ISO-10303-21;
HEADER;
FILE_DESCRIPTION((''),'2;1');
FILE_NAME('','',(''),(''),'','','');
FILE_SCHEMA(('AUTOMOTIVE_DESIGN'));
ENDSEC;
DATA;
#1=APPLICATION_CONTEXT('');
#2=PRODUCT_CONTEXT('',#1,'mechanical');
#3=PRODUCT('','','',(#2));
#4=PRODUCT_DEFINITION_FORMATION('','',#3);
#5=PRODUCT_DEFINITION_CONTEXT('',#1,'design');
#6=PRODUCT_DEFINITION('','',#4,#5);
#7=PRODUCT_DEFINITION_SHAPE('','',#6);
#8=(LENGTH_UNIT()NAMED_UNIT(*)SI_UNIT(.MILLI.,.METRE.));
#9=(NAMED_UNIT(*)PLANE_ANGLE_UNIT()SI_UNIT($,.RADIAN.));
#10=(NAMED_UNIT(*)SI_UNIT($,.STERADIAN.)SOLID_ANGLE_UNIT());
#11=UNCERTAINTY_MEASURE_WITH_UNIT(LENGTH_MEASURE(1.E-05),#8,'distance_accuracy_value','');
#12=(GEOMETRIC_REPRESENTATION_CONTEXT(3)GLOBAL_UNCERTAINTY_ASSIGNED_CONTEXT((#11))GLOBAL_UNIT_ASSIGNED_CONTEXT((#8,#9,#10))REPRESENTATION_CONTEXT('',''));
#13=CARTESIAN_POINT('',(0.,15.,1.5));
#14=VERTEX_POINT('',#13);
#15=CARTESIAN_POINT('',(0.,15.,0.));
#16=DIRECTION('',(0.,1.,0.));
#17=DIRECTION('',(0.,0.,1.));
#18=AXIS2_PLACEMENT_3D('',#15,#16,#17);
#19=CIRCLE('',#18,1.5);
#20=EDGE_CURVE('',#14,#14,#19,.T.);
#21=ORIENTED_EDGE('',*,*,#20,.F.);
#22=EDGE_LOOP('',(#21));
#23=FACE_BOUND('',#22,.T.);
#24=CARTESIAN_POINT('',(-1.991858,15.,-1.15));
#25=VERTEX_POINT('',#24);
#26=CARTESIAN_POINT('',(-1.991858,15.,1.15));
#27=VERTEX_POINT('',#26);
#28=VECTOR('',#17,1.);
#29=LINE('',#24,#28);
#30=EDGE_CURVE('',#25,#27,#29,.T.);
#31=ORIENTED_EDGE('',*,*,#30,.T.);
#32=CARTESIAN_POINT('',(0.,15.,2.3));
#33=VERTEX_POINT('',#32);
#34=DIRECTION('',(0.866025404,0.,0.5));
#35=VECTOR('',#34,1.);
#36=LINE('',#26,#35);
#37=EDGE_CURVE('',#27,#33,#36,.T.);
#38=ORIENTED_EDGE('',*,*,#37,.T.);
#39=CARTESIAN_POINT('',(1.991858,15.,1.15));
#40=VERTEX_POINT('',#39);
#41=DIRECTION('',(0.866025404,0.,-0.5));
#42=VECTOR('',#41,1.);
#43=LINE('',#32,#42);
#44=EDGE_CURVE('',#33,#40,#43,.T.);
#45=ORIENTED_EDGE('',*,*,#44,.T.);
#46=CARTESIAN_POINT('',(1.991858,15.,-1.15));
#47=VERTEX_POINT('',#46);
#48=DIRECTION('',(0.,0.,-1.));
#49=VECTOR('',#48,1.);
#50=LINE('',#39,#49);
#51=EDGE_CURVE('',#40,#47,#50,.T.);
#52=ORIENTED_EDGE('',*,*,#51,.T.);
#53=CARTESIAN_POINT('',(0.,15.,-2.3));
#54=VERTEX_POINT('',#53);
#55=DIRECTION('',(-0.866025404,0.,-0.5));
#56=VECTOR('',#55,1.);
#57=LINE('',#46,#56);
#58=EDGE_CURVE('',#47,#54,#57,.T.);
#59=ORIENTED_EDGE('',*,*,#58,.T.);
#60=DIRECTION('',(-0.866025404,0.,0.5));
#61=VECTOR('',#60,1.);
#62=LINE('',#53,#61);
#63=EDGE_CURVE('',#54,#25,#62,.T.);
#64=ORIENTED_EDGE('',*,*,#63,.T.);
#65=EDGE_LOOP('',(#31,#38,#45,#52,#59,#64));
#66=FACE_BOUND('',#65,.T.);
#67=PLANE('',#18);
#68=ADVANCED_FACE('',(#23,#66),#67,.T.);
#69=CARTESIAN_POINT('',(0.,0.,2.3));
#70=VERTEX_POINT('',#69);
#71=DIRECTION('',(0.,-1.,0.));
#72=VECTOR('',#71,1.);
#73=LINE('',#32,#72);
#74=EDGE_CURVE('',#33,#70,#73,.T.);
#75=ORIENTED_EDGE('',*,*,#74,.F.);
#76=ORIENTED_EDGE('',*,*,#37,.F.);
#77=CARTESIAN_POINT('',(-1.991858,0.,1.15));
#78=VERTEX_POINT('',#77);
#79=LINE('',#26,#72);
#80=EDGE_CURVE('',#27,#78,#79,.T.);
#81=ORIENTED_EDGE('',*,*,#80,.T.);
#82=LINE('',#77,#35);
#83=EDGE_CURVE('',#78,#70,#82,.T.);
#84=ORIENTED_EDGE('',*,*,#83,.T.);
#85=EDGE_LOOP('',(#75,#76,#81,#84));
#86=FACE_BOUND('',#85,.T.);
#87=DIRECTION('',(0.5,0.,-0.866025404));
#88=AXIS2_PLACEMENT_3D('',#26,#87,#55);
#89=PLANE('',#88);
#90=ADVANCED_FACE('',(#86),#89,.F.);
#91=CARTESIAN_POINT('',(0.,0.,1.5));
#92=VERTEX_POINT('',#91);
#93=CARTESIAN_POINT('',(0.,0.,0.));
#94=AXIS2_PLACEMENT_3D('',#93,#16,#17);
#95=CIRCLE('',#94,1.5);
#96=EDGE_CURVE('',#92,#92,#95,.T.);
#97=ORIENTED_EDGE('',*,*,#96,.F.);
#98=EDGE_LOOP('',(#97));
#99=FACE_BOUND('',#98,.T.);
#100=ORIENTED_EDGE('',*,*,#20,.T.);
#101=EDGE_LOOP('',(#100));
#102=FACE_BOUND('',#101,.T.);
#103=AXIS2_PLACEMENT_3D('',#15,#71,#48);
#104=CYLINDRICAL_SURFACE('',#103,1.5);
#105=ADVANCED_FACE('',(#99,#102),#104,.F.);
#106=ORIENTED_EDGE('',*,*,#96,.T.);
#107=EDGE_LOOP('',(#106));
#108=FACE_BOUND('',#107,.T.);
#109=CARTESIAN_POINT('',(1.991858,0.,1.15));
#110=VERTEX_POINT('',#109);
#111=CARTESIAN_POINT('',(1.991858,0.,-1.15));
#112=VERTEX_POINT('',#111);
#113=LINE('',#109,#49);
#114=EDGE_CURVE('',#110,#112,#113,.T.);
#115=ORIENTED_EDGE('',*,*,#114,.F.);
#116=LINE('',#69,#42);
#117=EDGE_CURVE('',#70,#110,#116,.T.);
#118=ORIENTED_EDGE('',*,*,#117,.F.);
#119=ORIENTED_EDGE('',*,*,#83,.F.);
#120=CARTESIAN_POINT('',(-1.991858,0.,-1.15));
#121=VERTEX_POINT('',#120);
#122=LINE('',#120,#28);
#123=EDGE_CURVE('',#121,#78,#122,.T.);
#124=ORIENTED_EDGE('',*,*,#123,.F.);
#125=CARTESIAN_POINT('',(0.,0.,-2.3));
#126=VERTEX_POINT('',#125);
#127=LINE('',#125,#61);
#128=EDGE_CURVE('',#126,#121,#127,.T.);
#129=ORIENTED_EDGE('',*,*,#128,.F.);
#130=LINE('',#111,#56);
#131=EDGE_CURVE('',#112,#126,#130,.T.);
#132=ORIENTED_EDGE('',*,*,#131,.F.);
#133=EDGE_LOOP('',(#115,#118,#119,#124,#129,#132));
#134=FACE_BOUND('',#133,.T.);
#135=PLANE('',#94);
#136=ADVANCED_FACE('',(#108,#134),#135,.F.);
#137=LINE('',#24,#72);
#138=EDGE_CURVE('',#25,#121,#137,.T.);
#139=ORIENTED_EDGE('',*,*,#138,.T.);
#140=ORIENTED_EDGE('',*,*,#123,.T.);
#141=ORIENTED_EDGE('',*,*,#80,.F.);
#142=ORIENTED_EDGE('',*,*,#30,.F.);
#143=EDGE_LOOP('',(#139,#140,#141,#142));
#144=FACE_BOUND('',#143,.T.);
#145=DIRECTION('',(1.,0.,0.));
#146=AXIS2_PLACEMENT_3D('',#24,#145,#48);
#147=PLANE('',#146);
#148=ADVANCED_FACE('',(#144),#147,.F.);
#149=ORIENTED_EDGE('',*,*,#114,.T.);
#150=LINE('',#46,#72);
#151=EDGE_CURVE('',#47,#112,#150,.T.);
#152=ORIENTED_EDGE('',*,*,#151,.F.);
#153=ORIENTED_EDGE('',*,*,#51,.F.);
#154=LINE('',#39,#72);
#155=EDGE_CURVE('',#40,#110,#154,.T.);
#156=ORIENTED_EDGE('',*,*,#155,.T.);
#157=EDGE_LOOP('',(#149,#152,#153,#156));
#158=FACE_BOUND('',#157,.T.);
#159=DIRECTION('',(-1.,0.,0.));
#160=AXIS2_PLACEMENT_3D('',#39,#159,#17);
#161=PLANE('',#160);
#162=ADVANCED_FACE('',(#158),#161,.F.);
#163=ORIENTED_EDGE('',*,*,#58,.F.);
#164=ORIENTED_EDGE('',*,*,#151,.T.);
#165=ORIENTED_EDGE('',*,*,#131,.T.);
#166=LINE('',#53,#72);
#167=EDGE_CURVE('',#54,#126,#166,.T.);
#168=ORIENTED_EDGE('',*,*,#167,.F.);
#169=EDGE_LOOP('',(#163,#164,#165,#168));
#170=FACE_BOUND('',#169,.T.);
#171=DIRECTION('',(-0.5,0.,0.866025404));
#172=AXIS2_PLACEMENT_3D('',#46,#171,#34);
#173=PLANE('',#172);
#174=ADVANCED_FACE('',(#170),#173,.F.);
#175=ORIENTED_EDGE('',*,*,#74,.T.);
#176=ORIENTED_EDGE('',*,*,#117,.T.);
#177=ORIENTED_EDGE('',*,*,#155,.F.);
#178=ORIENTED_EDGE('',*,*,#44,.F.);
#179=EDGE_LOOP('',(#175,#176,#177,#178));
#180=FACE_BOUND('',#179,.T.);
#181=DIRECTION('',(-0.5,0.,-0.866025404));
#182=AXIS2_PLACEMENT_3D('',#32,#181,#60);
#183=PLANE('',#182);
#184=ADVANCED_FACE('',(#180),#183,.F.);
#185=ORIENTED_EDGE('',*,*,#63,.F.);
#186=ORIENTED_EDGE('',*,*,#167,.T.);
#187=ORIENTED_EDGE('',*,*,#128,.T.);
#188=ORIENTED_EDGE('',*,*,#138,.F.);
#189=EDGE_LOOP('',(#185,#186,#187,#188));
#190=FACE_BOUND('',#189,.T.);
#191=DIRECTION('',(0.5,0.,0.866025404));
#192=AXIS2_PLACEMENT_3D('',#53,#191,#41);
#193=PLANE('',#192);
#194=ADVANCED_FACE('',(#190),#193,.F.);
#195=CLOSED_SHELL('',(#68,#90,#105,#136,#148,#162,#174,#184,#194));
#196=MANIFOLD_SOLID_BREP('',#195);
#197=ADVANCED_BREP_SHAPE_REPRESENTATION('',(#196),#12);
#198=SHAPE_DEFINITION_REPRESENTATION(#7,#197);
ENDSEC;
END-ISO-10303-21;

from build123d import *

# Parameters (mm, degrees)
SKETCH_1_R      = 1.5
EXTRUDE_1_DEPTH = 15


with BuildPart() as part:
    # 草图1 → 凸台-拉伸1 (new body)
    with BuildSketch(Plane(origin=(0, 0, 0), x_dir=(1, 0, 0), z_dir=(0, 1, 0))):
        Polygon((1.991858429, 1.15), (0, 2.3), (-1.991858429, 1.15), (-1.991858429, -1.15), (0, -2.3), (1.991858429, -1.15), align=None)
        with Locations(Location((0, 0, 0), (0, 0, 270))):
            Circle(SKETCH_1_R, mode=Mode.SUBTRACT)
    extrude(amount=EXTRUDE_1_DEPTH)


solid = part.part
